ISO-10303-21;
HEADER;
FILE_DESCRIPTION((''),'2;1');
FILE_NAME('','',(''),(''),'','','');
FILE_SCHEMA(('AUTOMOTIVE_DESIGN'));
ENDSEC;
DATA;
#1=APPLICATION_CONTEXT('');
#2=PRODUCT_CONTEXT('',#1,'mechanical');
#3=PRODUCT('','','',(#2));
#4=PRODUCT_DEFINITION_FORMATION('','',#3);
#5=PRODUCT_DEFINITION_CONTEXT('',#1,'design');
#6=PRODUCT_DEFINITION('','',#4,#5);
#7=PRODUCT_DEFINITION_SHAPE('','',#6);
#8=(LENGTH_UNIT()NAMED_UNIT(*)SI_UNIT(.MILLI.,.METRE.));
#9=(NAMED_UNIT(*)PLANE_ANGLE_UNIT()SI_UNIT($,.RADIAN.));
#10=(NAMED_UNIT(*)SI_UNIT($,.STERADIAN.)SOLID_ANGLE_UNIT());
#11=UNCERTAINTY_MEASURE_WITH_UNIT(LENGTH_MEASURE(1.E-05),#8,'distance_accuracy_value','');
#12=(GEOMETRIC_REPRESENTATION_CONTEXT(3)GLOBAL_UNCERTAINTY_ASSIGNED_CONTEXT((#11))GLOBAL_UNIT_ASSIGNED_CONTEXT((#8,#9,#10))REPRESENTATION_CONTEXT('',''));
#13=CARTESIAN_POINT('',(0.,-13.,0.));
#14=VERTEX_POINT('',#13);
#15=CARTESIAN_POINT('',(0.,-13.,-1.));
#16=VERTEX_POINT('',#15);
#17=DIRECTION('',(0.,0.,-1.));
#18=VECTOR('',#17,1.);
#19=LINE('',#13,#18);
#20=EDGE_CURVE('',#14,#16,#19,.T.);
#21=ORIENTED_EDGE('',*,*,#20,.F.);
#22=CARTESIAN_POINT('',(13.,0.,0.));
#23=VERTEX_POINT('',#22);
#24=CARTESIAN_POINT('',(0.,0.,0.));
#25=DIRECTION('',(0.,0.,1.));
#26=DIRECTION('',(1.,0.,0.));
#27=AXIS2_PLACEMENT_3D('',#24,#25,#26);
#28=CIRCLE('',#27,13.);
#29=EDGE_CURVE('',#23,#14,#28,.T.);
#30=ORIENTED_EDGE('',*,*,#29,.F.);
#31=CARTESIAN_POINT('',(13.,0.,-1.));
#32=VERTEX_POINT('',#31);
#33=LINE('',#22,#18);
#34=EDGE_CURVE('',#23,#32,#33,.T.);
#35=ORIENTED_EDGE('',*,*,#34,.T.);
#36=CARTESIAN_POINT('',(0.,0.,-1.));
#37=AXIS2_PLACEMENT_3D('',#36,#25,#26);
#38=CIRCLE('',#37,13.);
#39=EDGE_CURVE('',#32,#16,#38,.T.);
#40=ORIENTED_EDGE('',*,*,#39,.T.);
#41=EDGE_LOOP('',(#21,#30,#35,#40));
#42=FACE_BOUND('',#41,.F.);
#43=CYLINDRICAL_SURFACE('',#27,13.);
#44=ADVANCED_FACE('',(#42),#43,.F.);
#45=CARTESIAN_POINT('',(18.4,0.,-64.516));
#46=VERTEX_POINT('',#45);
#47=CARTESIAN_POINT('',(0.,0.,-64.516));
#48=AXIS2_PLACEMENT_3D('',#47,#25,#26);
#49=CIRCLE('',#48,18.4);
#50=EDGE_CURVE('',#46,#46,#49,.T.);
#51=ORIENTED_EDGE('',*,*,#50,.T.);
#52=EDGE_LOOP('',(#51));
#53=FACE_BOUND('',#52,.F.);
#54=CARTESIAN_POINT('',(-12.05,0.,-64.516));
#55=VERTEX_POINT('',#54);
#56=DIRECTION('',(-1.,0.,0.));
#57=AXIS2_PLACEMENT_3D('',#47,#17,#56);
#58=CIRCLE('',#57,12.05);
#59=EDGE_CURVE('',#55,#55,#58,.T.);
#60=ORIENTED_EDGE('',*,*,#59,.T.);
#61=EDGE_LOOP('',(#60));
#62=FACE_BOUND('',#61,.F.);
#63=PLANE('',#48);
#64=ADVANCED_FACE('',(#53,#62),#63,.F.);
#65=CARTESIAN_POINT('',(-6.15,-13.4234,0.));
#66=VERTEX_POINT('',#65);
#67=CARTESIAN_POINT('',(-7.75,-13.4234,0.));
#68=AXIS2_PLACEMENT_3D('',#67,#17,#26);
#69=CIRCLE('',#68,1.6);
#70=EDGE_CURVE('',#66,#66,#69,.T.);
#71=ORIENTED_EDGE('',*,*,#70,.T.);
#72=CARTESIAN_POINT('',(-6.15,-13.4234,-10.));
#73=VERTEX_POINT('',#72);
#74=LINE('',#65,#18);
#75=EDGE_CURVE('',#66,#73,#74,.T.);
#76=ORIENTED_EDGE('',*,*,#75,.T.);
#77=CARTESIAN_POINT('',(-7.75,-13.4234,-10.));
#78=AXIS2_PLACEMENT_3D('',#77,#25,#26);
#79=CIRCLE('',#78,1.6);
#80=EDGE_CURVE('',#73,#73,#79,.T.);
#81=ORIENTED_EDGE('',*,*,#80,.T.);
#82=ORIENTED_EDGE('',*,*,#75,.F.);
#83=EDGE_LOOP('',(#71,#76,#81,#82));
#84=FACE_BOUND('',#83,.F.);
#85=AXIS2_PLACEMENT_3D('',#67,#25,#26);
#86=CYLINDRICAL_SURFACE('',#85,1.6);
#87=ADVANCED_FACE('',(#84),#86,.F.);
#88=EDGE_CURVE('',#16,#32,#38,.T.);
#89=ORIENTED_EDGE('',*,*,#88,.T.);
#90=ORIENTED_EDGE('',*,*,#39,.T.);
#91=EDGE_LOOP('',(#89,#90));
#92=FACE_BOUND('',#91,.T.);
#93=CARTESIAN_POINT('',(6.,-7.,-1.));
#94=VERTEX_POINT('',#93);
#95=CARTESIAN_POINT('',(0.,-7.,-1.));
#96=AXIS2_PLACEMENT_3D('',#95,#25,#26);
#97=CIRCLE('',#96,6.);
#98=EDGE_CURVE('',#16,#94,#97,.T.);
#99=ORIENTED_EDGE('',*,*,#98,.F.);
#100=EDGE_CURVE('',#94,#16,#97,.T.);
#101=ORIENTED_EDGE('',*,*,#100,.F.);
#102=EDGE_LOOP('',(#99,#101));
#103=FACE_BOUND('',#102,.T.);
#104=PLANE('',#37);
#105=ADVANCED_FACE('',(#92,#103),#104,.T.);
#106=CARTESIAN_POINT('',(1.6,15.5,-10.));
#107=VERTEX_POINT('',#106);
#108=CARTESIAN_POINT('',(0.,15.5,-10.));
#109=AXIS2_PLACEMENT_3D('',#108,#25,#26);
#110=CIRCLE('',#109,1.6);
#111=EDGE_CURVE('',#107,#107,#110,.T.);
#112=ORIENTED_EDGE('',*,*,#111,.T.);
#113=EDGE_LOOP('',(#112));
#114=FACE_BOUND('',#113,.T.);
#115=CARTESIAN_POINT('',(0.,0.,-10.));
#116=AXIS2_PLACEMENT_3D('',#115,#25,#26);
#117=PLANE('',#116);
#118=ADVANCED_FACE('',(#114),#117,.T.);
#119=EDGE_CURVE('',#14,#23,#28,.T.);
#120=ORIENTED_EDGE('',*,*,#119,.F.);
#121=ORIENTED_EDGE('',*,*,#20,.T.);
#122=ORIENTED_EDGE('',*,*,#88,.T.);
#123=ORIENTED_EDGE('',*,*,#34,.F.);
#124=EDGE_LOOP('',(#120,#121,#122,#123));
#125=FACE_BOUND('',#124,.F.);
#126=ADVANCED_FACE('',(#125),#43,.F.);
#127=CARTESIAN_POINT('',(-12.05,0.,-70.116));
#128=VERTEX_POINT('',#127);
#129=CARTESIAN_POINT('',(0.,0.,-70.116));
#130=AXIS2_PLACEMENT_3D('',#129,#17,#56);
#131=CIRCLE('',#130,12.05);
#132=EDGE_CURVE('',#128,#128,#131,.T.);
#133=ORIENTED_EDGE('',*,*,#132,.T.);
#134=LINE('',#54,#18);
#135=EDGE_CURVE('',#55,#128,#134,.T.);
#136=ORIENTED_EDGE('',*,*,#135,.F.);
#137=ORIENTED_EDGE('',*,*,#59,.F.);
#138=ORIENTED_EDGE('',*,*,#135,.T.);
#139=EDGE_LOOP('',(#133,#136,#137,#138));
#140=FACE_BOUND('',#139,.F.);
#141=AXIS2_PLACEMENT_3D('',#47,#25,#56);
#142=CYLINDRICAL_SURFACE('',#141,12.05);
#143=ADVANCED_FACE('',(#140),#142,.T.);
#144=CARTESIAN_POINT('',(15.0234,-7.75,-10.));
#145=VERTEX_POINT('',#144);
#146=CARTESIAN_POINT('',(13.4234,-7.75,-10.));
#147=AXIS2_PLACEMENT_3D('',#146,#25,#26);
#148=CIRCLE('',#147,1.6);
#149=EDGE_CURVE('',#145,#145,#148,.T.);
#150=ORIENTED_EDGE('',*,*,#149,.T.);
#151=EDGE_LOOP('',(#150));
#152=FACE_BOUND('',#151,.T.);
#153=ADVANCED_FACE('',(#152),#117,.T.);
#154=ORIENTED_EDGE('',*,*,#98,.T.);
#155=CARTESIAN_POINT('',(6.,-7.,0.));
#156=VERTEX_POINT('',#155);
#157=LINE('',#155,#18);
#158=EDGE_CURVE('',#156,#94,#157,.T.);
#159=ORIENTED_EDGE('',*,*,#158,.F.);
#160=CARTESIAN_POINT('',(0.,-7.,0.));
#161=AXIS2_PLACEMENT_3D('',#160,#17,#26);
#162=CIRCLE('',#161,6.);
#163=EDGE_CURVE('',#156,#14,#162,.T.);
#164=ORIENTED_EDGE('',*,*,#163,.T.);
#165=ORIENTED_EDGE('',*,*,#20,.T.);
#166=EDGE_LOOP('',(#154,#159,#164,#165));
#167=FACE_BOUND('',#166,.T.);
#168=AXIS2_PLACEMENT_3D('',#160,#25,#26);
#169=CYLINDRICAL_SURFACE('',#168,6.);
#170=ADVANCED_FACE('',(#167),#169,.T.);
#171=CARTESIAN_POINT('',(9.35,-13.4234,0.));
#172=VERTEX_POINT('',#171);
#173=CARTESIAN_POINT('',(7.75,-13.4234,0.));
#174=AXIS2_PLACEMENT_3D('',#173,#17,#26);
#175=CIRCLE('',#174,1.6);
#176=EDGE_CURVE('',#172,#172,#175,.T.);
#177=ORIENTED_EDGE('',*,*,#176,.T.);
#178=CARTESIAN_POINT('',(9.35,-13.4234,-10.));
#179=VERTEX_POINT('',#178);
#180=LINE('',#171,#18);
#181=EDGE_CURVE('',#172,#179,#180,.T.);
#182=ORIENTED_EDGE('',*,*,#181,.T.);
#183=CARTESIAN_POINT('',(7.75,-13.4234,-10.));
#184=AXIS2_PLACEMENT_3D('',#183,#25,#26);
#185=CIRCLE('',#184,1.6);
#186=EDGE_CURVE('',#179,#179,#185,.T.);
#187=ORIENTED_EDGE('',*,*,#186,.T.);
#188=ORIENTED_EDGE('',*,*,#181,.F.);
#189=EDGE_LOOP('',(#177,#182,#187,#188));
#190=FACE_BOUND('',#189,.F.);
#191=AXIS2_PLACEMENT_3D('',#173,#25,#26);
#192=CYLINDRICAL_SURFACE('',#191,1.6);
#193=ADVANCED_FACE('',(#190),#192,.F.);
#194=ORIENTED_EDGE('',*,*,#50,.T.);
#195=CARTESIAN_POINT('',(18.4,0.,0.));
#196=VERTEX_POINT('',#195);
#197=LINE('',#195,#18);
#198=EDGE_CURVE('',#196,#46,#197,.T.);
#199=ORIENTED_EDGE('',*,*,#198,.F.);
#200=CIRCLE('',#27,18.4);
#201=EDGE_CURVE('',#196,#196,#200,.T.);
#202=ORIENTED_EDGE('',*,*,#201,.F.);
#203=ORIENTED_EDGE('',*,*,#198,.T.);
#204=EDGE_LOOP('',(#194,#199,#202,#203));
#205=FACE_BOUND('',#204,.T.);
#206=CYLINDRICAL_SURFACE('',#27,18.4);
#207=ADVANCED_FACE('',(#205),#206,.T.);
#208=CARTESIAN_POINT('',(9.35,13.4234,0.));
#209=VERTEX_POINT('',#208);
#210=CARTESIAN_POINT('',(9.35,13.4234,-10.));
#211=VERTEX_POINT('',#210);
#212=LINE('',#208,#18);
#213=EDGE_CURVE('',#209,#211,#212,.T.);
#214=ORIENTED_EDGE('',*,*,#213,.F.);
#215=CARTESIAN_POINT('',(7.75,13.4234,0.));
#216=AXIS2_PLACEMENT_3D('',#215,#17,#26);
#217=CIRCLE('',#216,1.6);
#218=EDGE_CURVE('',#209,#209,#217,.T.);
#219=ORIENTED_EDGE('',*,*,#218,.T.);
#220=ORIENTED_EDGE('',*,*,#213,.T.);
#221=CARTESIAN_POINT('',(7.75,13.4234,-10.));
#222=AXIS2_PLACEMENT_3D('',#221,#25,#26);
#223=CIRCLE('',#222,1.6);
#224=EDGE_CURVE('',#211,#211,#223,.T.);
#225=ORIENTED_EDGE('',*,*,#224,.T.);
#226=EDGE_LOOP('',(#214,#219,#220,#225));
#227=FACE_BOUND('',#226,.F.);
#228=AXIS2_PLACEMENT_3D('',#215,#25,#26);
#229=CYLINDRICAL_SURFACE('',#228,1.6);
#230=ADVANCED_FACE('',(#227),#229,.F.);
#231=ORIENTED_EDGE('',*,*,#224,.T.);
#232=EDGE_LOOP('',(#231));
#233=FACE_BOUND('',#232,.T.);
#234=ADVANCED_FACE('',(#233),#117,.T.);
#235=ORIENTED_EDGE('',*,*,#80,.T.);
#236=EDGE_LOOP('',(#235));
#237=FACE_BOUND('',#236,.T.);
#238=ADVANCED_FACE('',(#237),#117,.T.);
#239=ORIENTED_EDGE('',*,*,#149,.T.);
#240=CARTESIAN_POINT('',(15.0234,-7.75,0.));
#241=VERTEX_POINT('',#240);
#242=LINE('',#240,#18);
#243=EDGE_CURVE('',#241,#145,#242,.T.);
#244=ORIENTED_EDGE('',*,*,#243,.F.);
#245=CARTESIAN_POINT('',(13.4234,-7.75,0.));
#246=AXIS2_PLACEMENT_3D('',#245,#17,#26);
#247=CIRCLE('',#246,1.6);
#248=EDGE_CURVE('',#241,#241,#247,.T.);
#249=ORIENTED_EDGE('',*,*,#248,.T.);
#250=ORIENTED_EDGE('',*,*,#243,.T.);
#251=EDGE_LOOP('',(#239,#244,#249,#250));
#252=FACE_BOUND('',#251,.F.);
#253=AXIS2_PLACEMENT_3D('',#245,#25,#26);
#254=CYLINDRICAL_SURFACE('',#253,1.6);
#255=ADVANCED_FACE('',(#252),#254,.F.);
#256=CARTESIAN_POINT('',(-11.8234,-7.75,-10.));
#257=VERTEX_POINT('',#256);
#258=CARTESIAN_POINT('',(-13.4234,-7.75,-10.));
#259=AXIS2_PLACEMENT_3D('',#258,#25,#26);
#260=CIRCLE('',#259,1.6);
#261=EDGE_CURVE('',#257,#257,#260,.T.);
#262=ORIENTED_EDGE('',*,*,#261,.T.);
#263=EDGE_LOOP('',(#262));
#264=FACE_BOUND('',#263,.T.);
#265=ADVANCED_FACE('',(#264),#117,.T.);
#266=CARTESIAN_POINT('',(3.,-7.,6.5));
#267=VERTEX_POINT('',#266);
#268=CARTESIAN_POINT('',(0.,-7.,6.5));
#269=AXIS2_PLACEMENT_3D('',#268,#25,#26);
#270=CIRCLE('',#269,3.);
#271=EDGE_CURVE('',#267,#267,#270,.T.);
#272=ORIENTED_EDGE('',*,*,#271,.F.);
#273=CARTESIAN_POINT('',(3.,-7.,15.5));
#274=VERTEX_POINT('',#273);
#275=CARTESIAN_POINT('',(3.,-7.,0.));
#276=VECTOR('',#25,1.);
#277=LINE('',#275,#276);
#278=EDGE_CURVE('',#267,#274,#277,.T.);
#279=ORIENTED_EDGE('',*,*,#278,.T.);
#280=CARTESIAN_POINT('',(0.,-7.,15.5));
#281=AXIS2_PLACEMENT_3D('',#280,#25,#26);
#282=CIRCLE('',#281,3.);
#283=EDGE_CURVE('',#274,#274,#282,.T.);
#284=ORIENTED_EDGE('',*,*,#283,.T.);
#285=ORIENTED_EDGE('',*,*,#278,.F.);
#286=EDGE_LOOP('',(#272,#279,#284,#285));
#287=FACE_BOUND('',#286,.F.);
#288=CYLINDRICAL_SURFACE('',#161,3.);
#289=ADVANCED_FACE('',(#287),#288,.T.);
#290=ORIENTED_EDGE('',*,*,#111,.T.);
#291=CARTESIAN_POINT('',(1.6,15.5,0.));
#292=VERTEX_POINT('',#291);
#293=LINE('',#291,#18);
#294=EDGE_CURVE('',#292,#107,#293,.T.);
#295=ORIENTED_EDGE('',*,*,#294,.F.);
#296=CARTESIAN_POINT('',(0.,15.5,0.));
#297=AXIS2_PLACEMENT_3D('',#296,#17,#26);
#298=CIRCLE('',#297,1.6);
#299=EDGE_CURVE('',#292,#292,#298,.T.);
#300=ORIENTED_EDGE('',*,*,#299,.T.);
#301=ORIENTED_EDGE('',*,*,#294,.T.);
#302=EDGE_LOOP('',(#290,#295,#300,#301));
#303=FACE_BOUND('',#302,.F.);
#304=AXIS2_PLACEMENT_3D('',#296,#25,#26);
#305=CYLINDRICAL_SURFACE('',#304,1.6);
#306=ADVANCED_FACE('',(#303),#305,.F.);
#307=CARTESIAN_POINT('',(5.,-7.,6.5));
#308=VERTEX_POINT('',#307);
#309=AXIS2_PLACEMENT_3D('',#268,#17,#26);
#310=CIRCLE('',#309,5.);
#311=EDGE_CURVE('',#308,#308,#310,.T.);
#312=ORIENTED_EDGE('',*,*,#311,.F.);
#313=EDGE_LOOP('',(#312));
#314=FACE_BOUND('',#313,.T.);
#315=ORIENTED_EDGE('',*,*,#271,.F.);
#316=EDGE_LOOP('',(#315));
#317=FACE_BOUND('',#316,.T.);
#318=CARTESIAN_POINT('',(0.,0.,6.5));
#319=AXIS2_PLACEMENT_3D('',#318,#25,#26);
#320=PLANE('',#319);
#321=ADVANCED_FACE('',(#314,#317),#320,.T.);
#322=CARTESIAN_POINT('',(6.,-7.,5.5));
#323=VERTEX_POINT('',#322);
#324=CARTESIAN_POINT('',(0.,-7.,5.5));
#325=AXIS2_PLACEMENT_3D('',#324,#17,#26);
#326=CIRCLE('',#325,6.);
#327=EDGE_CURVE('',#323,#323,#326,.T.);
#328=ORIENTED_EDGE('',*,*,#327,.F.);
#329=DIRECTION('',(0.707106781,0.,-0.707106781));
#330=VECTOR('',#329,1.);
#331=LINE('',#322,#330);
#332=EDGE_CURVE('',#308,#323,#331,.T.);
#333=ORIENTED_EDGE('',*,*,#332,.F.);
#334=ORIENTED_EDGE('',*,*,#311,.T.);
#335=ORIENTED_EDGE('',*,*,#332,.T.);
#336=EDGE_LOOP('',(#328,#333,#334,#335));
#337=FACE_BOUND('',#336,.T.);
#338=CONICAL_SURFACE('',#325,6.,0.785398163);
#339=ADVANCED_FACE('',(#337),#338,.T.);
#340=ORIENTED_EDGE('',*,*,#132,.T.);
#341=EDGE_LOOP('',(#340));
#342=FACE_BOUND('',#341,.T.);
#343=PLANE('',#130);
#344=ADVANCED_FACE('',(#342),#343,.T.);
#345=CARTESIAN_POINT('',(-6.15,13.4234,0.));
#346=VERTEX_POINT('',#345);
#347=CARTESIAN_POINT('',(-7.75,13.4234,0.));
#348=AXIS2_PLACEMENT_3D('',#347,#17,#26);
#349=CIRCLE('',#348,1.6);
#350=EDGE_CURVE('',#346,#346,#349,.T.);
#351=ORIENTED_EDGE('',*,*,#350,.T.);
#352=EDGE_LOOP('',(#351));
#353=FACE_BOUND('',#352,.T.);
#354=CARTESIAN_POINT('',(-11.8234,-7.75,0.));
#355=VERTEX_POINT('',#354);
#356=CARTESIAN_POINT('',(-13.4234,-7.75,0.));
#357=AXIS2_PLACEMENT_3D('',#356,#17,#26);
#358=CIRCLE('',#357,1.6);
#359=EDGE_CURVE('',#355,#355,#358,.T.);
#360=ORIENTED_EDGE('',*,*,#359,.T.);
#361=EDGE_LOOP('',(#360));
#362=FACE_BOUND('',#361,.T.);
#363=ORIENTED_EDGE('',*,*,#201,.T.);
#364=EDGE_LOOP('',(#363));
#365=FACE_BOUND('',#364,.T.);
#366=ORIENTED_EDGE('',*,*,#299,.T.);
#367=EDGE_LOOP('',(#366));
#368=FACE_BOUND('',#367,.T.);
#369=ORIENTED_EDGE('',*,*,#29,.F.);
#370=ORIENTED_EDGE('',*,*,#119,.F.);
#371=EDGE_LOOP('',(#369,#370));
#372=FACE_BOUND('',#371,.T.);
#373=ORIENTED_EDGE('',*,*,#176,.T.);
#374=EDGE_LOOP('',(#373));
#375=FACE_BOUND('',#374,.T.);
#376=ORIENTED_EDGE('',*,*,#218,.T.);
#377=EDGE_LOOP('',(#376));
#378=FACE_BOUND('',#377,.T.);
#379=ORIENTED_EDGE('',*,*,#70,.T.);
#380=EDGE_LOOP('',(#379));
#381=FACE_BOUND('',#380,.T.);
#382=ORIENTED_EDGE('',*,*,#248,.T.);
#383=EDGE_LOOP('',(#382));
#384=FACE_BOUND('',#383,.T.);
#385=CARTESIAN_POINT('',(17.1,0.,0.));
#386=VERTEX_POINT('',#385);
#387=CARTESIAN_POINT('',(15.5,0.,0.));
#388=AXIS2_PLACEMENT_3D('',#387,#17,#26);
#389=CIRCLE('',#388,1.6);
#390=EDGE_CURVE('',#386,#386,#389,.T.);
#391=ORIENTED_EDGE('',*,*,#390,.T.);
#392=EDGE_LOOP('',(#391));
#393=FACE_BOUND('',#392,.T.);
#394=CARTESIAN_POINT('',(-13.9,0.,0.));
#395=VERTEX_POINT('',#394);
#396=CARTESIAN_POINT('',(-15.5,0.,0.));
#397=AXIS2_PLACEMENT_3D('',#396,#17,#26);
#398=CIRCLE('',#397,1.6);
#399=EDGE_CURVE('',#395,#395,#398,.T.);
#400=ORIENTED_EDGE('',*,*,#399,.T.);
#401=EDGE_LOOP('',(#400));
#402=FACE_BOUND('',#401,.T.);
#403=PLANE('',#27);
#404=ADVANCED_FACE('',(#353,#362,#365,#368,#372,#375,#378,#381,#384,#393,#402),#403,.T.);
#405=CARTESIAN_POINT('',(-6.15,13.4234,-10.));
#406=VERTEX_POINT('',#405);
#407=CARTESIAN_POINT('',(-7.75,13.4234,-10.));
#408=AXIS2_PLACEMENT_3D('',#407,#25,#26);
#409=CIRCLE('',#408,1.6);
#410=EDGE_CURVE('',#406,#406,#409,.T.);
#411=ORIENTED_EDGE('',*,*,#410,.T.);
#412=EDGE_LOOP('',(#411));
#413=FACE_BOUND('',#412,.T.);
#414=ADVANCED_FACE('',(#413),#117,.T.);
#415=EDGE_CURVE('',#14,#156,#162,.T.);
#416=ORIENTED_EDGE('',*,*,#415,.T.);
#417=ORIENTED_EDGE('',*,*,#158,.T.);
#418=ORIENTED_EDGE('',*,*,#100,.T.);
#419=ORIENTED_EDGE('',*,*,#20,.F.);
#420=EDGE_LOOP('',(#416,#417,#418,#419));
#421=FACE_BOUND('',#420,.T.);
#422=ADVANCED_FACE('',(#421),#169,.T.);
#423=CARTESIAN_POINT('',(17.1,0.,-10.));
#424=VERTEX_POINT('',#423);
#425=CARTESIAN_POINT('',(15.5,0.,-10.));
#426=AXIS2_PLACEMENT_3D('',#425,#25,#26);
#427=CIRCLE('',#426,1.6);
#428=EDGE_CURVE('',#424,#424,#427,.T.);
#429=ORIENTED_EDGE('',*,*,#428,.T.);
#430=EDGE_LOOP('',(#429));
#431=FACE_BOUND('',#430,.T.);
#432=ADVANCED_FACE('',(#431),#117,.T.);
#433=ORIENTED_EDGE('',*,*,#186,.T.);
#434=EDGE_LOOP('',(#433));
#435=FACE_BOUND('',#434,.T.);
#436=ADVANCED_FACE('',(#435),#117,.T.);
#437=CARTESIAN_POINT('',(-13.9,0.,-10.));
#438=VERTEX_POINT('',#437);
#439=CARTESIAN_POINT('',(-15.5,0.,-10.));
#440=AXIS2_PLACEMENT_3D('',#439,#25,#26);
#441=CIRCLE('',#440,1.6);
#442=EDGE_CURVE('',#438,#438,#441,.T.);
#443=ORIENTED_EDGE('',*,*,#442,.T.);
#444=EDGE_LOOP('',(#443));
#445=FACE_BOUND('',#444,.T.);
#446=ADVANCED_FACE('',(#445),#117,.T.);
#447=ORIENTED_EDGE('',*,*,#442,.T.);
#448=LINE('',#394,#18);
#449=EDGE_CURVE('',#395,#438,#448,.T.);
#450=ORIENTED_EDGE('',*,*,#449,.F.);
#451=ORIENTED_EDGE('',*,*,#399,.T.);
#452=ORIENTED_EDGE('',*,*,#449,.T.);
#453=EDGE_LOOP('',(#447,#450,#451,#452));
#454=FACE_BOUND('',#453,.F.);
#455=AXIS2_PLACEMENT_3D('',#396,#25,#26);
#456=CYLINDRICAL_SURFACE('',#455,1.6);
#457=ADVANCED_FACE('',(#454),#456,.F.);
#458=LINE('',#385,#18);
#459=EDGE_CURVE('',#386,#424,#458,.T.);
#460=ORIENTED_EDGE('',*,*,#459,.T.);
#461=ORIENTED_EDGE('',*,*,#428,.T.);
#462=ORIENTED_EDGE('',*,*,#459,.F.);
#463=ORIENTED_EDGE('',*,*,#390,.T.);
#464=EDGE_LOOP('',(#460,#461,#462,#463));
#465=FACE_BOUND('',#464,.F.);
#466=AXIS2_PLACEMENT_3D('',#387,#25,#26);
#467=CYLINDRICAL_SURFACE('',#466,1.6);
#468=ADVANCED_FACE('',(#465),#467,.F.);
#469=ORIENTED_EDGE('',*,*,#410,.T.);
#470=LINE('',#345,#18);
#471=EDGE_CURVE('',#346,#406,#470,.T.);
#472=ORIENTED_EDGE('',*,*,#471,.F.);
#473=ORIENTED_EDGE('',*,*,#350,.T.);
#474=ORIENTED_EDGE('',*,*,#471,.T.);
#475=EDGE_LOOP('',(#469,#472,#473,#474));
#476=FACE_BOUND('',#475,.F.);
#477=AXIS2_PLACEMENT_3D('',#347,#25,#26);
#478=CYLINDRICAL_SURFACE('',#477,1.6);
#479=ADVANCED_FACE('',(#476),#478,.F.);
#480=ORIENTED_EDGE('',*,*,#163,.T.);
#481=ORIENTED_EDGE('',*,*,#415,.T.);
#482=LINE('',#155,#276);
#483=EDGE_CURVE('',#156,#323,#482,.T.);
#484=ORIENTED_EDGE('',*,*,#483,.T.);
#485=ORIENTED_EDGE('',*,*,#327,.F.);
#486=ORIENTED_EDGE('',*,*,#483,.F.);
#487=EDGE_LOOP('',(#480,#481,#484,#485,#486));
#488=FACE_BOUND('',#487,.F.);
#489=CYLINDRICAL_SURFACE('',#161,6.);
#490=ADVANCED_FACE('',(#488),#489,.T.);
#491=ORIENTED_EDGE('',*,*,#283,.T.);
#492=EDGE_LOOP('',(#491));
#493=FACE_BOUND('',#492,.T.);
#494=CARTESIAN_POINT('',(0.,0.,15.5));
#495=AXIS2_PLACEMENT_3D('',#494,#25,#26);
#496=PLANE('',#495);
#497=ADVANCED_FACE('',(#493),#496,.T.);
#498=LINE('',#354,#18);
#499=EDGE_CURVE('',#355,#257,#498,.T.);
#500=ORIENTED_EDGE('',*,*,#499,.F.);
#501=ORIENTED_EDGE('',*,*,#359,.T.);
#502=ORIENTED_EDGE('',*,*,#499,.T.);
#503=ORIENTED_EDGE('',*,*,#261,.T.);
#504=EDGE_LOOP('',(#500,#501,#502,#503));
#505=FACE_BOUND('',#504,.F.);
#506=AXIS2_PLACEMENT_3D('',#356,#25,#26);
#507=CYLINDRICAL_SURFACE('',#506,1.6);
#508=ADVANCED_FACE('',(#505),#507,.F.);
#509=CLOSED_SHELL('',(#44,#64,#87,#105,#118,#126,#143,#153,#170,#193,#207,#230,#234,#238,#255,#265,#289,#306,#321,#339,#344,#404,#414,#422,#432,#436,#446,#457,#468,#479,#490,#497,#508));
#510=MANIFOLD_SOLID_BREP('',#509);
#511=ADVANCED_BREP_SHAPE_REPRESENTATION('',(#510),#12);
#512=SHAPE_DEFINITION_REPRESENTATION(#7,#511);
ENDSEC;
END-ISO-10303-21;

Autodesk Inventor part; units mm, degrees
ref_plane "YZ Plane" through (0, 0, 0) normal (1, 0, 0) x (0, 1, 0)
ref_plane "XZ Plane" through (0, 0, 0) normal (0, 1, 0) x (-1, 0, 0)
ref_plane "XY Plane" through (0, 0, 0) normal (0, 0, 1) x (1, 0, 0)
sketch "Sketch1" plane through (0, 0, 0) normal (0, 0, 1) x (1, 0, 0)
  circle A0 centre (0, 0) radius 18.4
  circle A1 centre (0, 0) radius 13
  circle A2 centre (0, -7) radius 6
  circle A3 centre (0, -7) radius 3
  circle A4 centre (0, 0) radius 15.5
  circle A5 centre (0, 15.5) radius 1.6
  circle A6 centre (7.75, 13.4234) radius 1.6
  circle A7 centre (-7.75, 13.4234) radius 1.6
  circle A8 centre (-15.5, 0) radius 1.6
  circle A9 centre (-13.4234, -7.75) radius 1.6
  circle A10 centre (-7.75, -13.4234) radius 1.6
  circle A11 centre (15.5, 0) radius 1.6
  circle A12 centre (13.4234, -7.75) radius 1.6
  circle A13 centre (7.75, -13.4234) radius 1.6
  dimension "d0" = 36.8
  dimension "d1" = 6
  dimension "d3" = 12
  dimension "d16" = 3.2
  dimension "d17" = 15.5
  dimension "d19" = 8.0234
  dimension "d20" = 8.0234
  dimension "d21" = 8.0234
  dimension "d22" = 8.0234
  dimension "d25" = 31
  dimension "d26" = 31
  dimension "d27" = 31
  dimension "d28" = 15.5
  dimension "d29" = 15.5
  dimension "d30" = 8.0234
  dimension "d31" = 8.0234
  dimension "d32" = 7
extrude "Extrusion1" add sketch "Sketch1" against normal blind 64.516 contours A0 | A2 | A1 | A3 | A4 A11 | A4 A11 | A11 A4 A12 A13 A10 A9 A8 A7 A5 A6 | A6 A4 | A4 A6 | A12 A4 | A4 A12 | A5 A4 | A4 A5 | A13 A4 | A4 A13 | A7 A4 | A4 A7 | A10 A4 | A4 A10 | A8 A4 | A4 A8 | A9 A4 | A4 A9
extrude "Extrusion2" add sketch "Sketch1" along normal blind 6.5 contours A2
extrude "Extrusion3" add sketch "Sketch1" along normal blind 15.5 contours A3
sketch "Sketch2" plane through (0, 0, -64.516) normal (0, 0, -1) x (-1, 0, 0)
  circle A0 centre (0, 0) radius 18.4 projected
  circle A1 centre (0, 0) radius 12.05
  dimension "d10" = 24.1
extrude "Extrusion4" add sketch "Sketch2" along normal blind 5.6 contours A1
chamfer "Chamfer1" distance 1 angle 45 1 edges at (-6, -7, 6.5)
extrude "Extrusion5" cut sketch "Sketch1" against normal blind 1 contours A1
extrude "Extrusion6" cut sketch "Sketch1" against normal blind 10 contours A4 A11 | A4 A11 | A6 A4 | A4 A6 | A12 A4 | A4 A12 | A5 A4 | A4 A5 | A13 A4 | A4 A13 | A7 A4 | A4 A7 | A10 A4 | A4 A10 | A8 A4 | A4 A8 | A9 A4 | A4 A9
equation "\"d19\" = d20"
equation "\"d21\" = d19"
equation "\"d22\" = d21"
equation "\"d26\" = d25"
equation "\"d27\" = d25"
equation "\"d28\" = d17"
equation "\"d30\" = d19"
properties part number "motor"
